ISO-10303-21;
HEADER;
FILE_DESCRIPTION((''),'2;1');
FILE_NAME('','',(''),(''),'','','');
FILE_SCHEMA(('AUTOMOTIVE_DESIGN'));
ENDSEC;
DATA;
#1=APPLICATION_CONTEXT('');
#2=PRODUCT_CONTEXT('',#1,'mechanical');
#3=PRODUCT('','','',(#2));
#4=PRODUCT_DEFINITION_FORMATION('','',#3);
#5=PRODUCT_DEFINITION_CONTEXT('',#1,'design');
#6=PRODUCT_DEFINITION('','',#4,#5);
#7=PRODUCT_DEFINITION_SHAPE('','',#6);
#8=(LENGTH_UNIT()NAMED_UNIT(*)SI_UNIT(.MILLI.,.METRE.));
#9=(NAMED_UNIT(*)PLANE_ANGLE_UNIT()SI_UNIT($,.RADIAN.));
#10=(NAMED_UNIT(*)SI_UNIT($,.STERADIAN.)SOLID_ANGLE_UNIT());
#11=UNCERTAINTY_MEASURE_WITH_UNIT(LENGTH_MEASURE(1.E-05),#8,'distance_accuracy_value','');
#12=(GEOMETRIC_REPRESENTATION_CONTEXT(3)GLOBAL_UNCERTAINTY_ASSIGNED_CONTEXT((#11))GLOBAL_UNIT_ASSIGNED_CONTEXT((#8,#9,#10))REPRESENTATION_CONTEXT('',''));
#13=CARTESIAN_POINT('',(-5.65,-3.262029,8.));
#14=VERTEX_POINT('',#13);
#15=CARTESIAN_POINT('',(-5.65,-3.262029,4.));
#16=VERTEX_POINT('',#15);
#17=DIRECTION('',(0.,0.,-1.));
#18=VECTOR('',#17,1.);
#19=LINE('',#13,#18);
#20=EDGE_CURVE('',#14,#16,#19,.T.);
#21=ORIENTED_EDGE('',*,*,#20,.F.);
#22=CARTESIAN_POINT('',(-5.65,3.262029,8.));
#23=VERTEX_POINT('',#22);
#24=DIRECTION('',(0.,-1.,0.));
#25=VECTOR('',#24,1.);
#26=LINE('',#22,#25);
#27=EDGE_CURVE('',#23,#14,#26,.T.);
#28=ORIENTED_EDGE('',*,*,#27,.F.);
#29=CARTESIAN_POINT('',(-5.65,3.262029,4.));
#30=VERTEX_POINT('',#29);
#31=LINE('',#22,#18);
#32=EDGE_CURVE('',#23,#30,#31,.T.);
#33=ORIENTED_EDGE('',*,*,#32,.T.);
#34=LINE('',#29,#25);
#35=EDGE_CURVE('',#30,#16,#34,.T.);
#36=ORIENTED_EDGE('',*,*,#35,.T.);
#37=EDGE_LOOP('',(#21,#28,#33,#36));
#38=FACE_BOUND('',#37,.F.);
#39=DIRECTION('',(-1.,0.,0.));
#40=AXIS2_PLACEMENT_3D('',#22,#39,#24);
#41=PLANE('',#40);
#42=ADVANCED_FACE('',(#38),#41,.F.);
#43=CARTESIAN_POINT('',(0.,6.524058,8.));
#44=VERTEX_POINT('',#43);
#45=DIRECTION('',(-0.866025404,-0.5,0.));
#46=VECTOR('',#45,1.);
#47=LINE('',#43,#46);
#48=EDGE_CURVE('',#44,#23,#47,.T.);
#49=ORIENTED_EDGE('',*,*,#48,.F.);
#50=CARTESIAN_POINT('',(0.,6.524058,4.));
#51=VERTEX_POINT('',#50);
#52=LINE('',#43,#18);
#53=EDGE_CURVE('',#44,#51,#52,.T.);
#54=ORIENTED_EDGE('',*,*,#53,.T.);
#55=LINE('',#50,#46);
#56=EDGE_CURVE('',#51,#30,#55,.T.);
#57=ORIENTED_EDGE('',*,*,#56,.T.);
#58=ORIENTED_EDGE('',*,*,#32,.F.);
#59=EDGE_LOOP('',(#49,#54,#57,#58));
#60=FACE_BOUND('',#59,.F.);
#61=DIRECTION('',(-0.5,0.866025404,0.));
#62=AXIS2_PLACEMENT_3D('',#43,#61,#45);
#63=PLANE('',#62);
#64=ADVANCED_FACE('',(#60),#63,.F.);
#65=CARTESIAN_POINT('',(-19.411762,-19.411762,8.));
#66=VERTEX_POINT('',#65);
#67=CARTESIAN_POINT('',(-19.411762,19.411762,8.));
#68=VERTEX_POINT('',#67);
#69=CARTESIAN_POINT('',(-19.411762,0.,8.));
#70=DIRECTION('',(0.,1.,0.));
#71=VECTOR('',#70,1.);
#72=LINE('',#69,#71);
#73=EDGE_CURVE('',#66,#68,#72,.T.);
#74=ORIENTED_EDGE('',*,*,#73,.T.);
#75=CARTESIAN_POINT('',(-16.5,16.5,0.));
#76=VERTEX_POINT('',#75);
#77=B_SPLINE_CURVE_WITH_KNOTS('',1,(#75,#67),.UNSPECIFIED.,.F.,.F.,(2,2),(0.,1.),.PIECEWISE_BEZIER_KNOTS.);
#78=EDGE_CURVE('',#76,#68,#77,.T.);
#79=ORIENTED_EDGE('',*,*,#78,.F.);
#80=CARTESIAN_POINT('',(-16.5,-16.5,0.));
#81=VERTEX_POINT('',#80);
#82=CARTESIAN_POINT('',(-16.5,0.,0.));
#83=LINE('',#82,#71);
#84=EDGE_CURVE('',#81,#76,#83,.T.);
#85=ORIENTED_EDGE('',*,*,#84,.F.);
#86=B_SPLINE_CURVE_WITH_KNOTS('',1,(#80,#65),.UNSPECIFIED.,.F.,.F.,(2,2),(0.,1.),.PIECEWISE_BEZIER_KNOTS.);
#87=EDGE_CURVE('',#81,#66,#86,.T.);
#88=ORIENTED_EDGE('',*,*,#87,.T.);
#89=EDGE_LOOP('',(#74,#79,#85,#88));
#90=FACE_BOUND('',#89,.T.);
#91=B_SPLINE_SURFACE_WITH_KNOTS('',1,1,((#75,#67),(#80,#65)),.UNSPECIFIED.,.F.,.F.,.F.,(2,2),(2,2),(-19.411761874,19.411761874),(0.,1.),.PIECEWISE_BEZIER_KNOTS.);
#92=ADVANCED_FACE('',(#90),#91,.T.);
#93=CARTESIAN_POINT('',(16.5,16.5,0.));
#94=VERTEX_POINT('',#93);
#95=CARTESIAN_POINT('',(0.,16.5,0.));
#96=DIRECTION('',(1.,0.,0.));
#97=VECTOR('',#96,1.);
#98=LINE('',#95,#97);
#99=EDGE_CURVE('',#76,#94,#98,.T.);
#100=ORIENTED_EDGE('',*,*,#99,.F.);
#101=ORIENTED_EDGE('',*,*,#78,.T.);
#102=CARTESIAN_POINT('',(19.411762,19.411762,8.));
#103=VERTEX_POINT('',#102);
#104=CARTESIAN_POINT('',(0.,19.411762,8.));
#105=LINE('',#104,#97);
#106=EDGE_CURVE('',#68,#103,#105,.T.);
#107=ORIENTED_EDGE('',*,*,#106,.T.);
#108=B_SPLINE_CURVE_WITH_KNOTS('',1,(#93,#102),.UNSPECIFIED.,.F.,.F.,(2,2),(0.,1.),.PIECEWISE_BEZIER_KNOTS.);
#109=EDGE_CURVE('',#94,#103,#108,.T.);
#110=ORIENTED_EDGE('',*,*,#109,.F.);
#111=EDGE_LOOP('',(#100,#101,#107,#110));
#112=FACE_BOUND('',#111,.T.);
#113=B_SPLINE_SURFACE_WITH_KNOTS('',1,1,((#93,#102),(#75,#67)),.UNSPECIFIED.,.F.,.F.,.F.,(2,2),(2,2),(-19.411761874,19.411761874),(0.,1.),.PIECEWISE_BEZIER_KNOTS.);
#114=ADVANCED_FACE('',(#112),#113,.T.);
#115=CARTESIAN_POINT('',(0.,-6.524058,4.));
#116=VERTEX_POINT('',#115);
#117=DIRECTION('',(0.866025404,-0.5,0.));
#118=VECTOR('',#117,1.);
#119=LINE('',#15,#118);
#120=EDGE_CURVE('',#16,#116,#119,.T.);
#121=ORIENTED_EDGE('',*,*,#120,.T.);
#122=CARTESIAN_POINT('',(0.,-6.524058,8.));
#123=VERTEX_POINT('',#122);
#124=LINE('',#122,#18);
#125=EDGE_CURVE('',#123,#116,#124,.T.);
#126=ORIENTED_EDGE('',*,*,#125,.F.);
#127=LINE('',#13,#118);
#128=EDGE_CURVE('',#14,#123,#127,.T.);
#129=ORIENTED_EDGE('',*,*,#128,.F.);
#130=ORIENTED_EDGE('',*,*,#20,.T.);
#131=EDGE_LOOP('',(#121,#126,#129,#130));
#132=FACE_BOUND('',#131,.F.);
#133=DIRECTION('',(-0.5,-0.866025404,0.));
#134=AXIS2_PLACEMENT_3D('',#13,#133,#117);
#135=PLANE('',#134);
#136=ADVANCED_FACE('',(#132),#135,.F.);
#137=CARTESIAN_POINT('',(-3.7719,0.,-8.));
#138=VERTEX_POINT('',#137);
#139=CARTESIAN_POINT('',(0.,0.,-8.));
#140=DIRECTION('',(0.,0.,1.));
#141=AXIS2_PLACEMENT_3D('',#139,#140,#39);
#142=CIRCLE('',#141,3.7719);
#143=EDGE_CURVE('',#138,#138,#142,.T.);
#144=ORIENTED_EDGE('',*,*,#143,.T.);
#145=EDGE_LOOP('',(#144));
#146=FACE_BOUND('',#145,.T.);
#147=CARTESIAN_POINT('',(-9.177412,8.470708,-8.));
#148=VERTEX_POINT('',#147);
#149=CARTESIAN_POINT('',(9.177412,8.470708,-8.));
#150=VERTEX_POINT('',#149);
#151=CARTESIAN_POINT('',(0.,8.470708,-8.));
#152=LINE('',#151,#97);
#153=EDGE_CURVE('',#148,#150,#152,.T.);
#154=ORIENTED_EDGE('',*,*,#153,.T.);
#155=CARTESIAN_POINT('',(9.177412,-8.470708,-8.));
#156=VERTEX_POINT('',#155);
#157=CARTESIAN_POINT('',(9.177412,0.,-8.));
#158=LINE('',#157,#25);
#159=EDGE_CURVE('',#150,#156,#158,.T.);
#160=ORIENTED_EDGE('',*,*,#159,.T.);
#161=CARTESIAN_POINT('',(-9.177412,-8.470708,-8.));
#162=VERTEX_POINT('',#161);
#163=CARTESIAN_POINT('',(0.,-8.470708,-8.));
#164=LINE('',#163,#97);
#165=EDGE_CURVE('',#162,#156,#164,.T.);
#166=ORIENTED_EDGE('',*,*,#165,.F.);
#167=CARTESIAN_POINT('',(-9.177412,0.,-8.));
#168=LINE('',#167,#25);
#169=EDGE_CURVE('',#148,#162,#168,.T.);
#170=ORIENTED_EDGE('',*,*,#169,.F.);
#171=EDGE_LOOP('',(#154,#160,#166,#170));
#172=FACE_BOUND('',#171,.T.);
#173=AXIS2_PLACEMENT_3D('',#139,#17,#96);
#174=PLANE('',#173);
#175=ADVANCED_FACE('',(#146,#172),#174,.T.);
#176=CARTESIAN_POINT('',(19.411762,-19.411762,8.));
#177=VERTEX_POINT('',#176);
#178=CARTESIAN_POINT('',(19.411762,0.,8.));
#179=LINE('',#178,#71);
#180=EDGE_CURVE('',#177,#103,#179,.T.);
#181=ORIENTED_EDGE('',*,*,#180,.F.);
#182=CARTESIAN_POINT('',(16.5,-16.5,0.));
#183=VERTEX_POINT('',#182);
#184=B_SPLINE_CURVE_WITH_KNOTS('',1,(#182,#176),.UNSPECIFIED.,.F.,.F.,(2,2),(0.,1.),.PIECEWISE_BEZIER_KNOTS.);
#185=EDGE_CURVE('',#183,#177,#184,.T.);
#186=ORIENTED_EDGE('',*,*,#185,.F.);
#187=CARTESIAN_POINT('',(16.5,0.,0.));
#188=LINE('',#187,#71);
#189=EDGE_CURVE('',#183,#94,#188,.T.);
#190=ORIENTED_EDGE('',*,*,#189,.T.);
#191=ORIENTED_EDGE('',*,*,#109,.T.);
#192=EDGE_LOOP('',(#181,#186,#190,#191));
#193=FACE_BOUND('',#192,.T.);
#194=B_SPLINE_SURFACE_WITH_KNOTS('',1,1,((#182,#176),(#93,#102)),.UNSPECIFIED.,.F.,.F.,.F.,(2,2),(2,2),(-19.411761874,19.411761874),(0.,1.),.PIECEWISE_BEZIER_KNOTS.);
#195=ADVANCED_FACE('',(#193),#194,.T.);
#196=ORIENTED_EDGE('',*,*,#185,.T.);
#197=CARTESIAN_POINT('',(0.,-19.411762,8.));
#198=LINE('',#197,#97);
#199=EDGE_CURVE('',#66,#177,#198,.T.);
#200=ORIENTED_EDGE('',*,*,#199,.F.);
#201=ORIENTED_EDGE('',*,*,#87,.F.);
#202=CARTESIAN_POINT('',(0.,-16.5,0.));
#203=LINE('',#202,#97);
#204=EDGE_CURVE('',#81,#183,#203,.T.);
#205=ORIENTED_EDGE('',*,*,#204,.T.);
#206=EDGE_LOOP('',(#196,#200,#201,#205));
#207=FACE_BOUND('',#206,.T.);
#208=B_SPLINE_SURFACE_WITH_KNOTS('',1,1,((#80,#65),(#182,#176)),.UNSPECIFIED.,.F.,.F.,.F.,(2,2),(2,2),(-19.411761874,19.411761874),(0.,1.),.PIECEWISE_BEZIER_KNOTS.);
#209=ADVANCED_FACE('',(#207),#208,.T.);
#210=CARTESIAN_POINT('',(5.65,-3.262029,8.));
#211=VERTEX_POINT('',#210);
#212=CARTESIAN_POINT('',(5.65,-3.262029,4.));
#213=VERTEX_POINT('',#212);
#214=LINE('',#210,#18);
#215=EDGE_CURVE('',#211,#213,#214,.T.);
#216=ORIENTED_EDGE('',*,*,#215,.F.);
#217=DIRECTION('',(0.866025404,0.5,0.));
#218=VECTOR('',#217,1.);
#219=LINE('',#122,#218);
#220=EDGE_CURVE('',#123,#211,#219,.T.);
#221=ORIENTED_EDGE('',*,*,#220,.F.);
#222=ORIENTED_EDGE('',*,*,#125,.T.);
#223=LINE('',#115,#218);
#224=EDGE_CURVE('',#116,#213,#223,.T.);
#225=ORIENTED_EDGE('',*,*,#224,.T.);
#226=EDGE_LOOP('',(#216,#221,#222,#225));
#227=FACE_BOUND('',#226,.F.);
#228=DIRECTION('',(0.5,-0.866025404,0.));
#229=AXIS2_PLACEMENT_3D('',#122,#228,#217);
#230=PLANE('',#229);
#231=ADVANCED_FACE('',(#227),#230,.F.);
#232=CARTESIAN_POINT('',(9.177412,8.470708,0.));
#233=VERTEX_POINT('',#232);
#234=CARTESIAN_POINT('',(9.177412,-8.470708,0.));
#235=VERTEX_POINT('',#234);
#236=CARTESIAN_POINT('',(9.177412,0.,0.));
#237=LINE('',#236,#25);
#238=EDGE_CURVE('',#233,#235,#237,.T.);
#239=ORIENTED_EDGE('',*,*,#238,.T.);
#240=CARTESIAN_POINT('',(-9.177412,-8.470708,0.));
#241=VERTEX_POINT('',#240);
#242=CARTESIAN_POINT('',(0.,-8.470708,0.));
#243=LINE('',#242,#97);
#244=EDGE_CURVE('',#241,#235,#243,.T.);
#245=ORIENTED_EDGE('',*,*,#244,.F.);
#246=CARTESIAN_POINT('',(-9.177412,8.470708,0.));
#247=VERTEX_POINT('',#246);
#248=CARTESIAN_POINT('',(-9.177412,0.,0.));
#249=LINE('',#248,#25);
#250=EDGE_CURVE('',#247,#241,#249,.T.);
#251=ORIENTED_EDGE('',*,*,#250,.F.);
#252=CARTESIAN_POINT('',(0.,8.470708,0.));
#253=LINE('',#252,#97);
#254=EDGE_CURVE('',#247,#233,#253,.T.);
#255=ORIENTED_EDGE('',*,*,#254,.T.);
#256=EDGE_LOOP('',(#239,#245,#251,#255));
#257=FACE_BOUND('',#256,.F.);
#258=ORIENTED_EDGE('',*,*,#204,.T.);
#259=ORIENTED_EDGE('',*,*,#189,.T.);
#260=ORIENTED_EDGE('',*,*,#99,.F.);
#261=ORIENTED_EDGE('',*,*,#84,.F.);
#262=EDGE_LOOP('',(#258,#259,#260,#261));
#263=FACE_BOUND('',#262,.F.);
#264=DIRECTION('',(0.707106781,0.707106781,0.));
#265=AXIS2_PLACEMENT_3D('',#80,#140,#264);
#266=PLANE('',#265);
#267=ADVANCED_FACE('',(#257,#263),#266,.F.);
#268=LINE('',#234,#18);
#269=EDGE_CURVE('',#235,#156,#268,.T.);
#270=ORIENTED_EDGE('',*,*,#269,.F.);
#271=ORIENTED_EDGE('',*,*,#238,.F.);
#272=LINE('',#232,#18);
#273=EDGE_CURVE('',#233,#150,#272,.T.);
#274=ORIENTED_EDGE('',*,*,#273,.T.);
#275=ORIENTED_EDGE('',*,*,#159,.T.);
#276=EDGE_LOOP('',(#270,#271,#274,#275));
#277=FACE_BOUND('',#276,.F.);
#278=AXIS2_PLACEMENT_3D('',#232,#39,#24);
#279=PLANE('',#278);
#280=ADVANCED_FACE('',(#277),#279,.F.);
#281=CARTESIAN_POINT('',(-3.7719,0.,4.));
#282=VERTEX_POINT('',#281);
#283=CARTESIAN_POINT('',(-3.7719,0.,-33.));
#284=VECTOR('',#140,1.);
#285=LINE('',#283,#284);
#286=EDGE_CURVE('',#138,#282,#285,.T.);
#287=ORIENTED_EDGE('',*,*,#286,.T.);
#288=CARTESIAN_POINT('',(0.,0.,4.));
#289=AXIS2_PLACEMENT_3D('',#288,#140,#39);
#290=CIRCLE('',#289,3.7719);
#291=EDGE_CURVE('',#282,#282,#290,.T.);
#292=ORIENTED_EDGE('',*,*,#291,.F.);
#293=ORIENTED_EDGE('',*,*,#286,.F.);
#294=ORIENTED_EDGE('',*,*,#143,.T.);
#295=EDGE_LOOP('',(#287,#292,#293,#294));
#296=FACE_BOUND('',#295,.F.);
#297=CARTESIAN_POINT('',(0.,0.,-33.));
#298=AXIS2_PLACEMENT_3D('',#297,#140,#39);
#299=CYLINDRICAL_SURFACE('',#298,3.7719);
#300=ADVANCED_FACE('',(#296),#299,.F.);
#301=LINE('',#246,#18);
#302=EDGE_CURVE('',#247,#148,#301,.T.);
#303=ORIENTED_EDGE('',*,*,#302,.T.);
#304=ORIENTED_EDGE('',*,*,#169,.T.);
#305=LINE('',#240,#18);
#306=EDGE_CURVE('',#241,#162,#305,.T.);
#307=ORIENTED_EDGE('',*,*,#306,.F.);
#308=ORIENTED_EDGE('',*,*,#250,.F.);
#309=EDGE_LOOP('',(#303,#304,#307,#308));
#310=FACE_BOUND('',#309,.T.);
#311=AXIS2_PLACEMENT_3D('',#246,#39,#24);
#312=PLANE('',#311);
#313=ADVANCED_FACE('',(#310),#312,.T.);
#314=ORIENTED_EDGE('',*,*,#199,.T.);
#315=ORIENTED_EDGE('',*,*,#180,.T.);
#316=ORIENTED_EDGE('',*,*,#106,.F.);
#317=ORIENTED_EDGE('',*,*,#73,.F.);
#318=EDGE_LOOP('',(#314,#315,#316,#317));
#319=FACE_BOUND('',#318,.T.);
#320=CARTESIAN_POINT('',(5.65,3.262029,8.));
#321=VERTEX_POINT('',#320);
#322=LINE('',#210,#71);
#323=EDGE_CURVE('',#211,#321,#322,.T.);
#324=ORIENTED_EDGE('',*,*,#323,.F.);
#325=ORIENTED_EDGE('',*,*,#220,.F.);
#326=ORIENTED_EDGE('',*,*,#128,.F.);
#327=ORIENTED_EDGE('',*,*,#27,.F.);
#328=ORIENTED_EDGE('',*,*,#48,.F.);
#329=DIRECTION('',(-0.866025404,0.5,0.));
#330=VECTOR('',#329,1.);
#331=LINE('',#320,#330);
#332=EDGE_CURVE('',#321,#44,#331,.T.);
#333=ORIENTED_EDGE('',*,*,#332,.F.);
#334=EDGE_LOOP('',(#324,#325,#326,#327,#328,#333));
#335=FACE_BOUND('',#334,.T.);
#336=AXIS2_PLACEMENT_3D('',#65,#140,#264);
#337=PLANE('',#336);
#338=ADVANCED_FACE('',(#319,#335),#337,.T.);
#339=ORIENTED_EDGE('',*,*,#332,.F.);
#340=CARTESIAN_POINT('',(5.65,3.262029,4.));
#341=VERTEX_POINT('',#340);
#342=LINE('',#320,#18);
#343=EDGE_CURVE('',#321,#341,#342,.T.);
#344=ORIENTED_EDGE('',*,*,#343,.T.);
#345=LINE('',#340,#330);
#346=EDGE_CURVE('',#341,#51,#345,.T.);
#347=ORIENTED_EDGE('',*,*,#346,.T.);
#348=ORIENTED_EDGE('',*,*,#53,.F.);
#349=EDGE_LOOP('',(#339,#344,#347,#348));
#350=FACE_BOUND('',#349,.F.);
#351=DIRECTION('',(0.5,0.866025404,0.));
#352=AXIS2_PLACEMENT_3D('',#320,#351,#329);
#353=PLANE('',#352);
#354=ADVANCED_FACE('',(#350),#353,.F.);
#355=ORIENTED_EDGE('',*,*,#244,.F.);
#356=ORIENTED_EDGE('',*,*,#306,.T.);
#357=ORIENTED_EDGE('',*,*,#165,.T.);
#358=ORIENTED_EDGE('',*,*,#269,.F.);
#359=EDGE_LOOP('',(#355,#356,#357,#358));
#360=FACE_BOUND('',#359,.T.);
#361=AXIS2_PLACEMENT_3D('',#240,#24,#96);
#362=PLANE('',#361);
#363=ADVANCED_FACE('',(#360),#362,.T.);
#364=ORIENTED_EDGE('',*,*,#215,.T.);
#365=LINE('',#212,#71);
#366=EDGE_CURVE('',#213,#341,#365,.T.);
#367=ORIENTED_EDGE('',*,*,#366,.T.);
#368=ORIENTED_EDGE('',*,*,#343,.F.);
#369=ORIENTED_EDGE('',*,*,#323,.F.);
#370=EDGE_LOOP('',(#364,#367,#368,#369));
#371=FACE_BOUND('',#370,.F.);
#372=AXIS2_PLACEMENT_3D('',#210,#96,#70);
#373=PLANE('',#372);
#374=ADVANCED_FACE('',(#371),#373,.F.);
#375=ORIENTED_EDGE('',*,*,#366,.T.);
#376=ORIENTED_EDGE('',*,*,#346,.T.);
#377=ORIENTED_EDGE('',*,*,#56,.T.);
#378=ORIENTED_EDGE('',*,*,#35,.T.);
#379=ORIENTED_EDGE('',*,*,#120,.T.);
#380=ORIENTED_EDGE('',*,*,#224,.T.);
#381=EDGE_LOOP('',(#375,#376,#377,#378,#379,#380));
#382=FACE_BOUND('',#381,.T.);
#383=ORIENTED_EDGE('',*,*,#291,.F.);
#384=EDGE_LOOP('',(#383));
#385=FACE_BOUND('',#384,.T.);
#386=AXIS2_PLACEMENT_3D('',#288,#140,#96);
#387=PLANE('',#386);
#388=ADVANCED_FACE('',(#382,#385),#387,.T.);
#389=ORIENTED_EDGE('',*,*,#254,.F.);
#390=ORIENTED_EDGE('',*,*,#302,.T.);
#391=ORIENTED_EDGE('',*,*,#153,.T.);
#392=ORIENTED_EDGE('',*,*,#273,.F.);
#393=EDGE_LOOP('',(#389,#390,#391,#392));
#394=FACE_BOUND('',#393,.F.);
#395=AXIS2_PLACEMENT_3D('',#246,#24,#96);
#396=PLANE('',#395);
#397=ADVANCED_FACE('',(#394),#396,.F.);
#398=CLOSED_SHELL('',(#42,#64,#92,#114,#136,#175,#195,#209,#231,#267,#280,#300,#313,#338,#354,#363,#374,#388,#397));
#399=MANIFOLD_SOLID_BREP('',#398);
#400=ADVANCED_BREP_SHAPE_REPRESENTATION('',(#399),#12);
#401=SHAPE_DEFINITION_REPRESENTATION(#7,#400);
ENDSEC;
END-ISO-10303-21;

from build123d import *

# Parameters (mm, degrees)
F0_W     = 33
F0_H     = 33
F1_DEPTH = 8
F1_TAPER = -20
F3_DEPTH = 4
F4_W     = 18.3548238128
F4_H     = 16.941415146
F5_DEPTH = 8
F7_D     = 7.5438
F7_DEPTH = 25
F7_TIP   = 2.2663861689


with BuildPart() as f1:
    # F0 (on Top) → F1 (new body)
    with BuildSketch(Plane.XY):
        Rectangle(F0_W, F0_H)
    extrude(amount=F1_DEPTH, taper=F1_TAPER)

    # F2 (on face) → F3 (cut)
    with BuildSketch(Plane.XY.offset(8)):
        Polygon((5.65, -3.2620290209), (5.65, 3.2620290209), (0, 6.5240580418), (-5.65, 3.2620290209), (-5.65, -3.2620290209), (0, -6.5240580418), align=None)
    extrude(amount=-F3_DEPTH, mode=Mode.SUBTRACT)

    # F4 (on face) → F5 (join)
    with BuildSketch(Plane(origin=(0, 0, 0), x_dir=(1, 0, 0), z_dir=(0, 0, -1))):
        Rectangle(F4_W, F4_H)
    extrude(amount=F5_DEPTH)

    # F7
    with Locations(Plane(origin=(0, 0, -8), x_dir=(1, 0, 0), z_dir=(0, 0, -1))):
        with Locations((0, 0)):
            Hole(F7_D / 2, depth=F7_DEPTH)
            with Locations((0, 0, -(F7_DEPTH + F7_TIP / 2))):  # 118° drill point
                Cone(0, F7_D / 2, F7_TIP, mode=Mode.SUBTRACT)


solid = f1.part
